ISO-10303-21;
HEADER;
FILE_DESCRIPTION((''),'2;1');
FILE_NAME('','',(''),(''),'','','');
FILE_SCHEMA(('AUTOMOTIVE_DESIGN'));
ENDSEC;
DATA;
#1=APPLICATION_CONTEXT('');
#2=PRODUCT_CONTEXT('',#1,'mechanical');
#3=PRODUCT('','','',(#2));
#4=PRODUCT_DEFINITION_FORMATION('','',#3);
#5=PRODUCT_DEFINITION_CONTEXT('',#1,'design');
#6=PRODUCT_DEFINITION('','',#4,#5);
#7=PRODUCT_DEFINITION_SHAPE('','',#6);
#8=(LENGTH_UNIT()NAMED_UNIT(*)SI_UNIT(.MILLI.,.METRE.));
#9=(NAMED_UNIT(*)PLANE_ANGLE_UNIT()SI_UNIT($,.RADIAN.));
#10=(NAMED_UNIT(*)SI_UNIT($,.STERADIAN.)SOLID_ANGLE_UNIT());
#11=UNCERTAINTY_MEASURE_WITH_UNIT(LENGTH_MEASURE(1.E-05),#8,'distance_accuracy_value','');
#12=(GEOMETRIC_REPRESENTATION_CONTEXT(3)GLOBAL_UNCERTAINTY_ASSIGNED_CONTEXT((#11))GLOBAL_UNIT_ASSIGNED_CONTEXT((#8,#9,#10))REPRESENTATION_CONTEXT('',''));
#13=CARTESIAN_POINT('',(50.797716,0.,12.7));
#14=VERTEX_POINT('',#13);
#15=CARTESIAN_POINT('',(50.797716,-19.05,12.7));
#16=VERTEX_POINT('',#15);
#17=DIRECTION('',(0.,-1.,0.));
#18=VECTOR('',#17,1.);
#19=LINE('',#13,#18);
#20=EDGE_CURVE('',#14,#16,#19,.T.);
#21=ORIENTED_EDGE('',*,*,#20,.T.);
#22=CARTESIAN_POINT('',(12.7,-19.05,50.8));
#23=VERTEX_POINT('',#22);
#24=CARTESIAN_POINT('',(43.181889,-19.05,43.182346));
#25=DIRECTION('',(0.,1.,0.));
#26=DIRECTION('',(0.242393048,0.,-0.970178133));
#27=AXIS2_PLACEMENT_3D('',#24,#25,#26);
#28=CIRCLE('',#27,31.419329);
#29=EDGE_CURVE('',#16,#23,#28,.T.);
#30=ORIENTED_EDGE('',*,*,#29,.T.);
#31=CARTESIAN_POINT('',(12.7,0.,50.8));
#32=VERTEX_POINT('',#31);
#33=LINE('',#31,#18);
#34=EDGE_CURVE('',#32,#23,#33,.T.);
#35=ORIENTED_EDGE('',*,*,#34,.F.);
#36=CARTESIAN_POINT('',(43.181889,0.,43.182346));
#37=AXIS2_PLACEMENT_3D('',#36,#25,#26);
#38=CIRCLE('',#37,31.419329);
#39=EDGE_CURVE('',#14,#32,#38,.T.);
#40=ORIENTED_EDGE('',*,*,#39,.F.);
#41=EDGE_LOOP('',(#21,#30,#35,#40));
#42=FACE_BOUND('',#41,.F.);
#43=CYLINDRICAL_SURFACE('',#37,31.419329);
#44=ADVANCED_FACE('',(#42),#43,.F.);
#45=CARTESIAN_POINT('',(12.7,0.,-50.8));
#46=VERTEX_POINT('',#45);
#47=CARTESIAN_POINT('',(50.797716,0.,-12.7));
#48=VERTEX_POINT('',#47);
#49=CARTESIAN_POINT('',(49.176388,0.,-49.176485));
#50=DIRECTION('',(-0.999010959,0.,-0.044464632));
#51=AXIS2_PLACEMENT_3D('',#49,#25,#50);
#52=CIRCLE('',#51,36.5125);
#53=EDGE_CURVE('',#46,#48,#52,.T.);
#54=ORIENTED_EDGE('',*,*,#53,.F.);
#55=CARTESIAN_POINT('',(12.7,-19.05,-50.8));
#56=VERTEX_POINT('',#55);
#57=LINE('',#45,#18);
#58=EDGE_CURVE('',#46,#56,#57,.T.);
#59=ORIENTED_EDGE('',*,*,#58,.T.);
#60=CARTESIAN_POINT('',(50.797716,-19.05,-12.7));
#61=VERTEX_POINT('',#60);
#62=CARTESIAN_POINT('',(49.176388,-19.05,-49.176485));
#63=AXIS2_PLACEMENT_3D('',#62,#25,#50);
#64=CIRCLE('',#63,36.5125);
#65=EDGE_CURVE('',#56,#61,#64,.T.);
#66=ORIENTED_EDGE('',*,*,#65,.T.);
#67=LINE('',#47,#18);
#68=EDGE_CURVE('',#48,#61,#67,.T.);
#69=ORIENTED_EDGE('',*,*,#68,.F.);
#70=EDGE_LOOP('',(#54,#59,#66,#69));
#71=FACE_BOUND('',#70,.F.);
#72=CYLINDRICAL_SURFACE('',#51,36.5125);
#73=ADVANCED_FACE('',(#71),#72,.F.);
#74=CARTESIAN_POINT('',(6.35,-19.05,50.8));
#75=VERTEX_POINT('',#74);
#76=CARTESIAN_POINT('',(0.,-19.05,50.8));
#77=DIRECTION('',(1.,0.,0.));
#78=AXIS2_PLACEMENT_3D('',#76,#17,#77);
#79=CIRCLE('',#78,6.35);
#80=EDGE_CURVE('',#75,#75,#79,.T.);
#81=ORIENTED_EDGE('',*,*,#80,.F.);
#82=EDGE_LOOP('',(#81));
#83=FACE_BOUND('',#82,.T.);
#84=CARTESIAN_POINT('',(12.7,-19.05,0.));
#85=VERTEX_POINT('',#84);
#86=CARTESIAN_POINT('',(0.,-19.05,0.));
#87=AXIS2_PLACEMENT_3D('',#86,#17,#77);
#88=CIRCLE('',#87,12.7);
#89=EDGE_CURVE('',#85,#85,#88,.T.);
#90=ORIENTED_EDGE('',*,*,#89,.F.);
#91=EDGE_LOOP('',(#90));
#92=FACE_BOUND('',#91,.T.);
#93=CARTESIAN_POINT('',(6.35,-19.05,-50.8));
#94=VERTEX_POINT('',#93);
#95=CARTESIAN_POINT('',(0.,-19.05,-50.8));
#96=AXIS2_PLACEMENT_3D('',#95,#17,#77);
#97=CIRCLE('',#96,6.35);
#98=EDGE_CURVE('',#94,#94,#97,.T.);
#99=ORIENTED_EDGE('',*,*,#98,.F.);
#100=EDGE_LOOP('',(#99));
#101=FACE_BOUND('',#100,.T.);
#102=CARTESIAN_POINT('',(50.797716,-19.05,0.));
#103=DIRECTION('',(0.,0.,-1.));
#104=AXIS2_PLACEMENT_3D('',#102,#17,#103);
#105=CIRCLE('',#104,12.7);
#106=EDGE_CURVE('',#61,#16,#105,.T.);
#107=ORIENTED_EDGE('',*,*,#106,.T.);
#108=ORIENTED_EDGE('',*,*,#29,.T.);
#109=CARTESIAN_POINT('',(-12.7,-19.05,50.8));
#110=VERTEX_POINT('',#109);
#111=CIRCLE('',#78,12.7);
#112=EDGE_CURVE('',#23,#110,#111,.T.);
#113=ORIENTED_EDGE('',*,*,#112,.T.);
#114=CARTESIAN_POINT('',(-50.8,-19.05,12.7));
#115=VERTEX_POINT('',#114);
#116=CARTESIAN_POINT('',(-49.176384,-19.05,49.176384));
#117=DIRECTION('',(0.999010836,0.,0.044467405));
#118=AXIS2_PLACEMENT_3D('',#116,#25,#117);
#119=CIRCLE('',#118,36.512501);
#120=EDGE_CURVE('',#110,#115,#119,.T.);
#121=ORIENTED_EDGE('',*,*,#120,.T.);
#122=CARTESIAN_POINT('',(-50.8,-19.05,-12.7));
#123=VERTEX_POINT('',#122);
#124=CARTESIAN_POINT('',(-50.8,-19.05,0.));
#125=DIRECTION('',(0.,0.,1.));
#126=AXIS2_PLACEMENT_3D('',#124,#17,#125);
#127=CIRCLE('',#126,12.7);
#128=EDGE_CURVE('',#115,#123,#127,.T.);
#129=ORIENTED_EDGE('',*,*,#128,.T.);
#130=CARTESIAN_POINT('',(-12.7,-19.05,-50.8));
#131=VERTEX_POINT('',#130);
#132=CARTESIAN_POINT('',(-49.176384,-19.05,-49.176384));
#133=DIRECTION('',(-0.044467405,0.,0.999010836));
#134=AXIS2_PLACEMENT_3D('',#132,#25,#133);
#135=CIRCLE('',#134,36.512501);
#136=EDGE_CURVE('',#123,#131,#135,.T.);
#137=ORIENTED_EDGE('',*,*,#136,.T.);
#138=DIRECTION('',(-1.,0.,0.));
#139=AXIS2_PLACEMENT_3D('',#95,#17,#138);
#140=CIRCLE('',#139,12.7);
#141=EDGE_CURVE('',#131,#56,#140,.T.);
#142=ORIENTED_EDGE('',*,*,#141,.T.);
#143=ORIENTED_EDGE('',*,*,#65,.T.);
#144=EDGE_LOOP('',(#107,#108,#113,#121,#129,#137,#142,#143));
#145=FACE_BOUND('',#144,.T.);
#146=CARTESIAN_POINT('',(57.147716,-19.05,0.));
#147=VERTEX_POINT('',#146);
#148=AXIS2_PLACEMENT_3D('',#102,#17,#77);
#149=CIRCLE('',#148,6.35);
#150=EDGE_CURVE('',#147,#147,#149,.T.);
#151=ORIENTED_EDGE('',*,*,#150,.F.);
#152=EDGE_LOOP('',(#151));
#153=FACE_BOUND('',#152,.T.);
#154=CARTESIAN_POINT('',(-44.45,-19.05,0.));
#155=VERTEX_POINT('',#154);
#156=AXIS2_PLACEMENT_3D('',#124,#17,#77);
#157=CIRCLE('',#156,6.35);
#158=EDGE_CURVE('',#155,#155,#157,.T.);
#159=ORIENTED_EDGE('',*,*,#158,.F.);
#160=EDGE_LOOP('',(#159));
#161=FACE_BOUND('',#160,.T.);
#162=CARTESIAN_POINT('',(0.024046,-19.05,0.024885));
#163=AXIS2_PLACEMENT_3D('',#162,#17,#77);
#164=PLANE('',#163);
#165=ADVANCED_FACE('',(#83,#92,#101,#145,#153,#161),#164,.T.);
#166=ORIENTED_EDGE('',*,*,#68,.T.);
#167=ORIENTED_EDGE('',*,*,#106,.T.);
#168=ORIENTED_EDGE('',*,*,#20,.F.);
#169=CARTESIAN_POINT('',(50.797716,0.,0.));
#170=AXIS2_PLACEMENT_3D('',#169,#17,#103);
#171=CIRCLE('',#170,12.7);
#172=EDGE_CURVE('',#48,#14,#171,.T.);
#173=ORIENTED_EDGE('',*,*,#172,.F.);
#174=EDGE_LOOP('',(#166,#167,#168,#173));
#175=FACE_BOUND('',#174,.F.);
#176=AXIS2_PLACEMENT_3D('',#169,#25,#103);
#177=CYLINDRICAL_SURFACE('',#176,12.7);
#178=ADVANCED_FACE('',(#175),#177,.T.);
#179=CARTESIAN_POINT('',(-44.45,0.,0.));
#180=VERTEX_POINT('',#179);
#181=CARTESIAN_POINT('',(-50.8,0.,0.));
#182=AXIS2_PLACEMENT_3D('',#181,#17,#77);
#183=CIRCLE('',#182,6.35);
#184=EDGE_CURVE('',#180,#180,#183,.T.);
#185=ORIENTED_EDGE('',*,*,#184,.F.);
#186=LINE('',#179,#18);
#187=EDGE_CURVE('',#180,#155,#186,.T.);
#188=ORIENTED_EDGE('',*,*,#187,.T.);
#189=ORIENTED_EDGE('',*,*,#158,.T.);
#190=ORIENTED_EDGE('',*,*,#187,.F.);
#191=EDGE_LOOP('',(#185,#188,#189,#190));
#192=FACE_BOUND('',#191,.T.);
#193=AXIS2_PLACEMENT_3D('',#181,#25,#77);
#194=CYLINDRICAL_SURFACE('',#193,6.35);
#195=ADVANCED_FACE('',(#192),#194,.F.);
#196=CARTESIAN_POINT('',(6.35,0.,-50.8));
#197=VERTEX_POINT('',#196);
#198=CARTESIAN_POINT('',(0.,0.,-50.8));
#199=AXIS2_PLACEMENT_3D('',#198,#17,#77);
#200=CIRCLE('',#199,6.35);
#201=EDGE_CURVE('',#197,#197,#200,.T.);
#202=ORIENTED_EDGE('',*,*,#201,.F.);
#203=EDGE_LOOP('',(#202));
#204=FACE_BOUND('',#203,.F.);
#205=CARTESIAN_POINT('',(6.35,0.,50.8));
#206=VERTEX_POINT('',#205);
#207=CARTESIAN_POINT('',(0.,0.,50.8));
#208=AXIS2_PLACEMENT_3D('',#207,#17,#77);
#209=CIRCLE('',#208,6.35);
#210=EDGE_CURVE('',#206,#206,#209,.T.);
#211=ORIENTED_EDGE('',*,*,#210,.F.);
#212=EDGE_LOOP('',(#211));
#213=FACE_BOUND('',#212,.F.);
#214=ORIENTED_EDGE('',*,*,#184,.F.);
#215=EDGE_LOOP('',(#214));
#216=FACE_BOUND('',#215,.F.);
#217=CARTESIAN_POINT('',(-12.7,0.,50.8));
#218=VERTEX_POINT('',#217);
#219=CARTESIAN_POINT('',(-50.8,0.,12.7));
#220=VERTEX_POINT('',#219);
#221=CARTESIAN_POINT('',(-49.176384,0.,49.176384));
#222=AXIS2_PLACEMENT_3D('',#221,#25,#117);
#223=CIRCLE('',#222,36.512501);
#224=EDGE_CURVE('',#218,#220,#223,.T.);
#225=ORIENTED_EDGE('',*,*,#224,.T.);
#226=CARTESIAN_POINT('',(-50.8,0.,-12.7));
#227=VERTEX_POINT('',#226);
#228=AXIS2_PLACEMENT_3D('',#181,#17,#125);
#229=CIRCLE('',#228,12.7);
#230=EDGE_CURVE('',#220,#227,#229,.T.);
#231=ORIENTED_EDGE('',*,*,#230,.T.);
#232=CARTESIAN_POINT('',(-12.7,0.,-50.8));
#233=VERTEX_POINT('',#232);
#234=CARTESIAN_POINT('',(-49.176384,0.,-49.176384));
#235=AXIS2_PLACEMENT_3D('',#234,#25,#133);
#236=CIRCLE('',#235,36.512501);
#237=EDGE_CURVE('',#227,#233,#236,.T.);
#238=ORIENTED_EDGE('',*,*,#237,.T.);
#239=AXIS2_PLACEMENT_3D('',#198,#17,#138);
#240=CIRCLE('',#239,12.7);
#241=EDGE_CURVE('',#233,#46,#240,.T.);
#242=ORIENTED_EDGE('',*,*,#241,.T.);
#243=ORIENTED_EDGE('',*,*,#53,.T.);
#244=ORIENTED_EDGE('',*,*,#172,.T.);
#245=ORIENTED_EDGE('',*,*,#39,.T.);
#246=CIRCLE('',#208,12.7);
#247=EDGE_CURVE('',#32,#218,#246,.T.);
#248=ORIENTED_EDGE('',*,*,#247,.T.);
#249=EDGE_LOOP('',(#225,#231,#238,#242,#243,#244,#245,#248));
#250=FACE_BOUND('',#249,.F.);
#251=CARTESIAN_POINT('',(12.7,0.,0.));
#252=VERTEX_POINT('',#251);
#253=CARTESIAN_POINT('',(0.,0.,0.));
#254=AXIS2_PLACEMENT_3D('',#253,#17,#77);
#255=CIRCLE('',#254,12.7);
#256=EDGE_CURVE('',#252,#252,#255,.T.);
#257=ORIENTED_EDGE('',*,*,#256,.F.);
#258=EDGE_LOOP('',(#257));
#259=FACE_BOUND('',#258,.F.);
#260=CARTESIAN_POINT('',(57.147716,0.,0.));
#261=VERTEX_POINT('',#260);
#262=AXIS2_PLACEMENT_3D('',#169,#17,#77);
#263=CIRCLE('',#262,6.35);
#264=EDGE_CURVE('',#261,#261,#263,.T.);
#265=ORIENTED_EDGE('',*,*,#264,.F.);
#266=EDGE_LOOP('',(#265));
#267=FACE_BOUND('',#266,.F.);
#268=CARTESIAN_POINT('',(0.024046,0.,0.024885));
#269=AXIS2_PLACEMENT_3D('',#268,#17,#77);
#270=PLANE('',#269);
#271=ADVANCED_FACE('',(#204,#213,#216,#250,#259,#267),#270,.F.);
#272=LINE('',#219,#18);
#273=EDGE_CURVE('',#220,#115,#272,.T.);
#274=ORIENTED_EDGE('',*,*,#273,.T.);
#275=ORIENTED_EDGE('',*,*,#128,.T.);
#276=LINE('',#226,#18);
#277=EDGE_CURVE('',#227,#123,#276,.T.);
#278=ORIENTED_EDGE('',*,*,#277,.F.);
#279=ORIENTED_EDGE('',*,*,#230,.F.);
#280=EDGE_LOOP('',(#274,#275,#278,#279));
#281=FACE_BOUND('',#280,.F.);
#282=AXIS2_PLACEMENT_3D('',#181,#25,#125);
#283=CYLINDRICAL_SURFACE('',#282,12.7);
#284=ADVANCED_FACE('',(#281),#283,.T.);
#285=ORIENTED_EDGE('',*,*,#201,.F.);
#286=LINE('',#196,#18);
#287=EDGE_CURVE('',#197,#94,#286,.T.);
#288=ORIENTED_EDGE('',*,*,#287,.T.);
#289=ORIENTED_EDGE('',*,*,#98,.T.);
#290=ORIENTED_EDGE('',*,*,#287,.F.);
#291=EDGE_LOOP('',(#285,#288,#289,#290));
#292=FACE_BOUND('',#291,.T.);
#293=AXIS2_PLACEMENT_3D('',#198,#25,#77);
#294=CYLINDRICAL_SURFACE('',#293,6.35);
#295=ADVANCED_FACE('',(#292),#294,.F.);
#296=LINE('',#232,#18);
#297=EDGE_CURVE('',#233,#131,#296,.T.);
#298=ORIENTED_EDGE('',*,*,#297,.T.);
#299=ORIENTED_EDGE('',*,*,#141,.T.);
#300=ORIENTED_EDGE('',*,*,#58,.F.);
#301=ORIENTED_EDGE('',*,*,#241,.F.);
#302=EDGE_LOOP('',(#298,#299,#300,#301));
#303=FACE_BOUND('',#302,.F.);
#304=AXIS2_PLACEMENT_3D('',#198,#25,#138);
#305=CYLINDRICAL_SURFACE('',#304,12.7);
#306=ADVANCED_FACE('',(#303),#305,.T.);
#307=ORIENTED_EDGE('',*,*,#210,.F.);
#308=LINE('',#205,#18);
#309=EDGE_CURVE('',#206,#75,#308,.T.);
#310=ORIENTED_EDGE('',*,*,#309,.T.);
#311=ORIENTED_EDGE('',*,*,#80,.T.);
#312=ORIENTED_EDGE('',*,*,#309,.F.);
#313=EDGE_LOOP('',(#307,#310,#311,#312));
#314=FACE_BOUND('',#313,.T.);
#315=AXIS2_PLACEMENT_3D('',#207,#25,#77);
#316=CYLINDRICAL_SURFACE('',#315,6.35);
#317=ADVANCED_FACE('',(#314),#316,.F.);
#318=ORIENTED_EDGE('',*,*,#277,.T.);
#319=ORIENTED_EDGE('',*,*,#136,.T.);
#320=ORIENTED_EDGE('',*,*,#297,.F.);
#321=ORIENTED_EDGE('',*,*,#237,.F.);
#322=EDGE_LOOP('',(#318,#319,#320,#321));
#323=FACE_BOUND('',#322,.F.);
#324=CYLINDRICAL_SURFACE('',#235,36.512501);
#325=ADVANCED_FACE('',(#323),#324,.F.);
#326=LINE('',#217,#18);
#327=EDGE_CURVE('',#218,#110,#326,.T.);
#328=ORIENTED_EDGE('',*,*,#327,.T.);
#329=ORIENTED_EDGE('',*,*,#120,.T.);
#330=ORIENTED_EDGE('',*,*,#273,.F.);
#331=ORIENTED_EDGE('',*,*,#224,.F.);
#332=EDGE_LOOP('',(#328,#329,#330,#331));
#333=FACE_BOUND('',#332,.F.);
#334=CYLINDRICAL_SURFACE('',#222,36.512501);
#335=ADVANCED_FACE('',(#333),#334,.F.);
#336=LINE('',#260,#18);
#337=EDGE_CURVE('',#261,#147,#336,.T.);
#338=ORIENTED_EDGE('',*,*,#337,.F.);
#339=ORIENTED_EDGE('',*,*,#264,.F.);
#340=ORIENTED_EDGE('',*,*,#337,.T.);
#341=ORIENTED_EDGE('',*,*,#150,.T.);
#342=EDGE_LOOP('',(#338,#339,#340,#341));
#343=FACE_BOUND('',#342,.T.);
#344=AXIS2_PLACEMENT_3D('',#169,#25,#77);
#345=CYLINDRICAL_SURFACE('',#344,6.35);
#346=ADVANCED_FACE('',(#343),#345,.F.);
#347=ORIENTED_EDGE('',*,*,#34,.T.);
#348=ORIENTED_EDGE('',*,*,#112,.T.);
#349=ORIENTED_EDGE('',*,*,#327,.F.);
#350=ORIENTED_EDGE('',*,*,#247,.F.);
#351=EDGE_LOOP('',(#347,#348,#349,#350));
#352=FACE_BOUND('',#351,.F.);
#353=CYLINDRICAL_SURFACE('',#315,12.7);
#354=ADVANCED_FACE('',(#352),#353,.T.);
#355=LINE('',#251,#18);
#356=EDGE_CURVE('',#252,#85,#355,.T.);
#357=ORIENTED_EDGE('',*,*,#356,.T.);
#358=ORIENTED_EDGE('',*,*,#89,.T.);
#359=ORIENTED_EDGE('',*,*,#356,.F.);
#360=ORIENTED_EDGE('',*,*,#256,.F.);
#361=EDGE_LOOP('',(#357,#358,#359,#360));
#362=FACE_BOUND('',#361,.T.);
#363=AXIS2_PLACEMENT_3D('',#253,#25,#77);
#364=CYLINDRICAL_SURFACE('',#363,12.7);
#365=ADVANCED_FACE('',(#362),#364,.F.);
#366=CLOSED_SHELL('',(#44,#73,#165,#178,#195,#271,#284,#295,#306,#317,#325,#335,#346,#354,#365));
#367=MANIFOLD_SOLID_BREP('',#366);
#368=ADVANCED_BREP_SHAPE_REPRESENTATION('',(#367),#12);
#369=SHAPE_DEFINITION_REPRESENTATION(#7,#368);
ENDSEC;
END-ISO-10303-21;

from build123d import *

# Parameters (mm, degrees)
F0_R     = 6.35
F0_R_2   = 12.7
F1_DEPTH = 19.05


with BuildPart() as f1:
    # F0 (on Front) → F1 (new body)
    with BuildSketch(Plane.XZ):
        with BuildLine():
            ThreePointArc((-50.8, 12.7), (-63.5, 0), (-50.8, -12.7))
            ThreePointArc((-50.8, -12.7), (-23.358147, -23.358147), (-12.7, -50.8))
            ThreePointArc((-12.7, -50.8), (0, -63.5), (12.7, -50.8))
            ThreePointArc((12.7, -50.8), (23.357377, -23.359023), (50.797716, -12.7))
            ThreePointArc((50.797716, -12.7), (63.497716, 0), (50.797716, 12.7))
            ThreePointArc((50.797716, 12.7), (20.964403, 20.966191), (12.7, 50.8))
            ThreePointArc((12.7, 50.8), (0, 63.5), (-12.7, 50.8))
            ThreePointArc((-12.7, 50.8), (-23.358147, 23.358147), (-50.8, 12.7))
        make_face()
        with Locations((0, -50.8)):
            Circle(F0_R, mode=Mode.SUBTRACT)
        with Locations((-50.8, 0)):
            Circle(F0_R, mode=Mode.SUBTRACT)
        Circle(F0_R_2, mode=Mode.SUBTRACT)
        with Locations((50.797716, 0)):
            Circle(F0_R, mode=Mode.SUBTRACT)
        with Locations((0, 50.8)):
            Circle(F0_R, mode=Mode.SUBTRACT)
    extrude(amount=F1_DEPTH)


solid = f1.part
